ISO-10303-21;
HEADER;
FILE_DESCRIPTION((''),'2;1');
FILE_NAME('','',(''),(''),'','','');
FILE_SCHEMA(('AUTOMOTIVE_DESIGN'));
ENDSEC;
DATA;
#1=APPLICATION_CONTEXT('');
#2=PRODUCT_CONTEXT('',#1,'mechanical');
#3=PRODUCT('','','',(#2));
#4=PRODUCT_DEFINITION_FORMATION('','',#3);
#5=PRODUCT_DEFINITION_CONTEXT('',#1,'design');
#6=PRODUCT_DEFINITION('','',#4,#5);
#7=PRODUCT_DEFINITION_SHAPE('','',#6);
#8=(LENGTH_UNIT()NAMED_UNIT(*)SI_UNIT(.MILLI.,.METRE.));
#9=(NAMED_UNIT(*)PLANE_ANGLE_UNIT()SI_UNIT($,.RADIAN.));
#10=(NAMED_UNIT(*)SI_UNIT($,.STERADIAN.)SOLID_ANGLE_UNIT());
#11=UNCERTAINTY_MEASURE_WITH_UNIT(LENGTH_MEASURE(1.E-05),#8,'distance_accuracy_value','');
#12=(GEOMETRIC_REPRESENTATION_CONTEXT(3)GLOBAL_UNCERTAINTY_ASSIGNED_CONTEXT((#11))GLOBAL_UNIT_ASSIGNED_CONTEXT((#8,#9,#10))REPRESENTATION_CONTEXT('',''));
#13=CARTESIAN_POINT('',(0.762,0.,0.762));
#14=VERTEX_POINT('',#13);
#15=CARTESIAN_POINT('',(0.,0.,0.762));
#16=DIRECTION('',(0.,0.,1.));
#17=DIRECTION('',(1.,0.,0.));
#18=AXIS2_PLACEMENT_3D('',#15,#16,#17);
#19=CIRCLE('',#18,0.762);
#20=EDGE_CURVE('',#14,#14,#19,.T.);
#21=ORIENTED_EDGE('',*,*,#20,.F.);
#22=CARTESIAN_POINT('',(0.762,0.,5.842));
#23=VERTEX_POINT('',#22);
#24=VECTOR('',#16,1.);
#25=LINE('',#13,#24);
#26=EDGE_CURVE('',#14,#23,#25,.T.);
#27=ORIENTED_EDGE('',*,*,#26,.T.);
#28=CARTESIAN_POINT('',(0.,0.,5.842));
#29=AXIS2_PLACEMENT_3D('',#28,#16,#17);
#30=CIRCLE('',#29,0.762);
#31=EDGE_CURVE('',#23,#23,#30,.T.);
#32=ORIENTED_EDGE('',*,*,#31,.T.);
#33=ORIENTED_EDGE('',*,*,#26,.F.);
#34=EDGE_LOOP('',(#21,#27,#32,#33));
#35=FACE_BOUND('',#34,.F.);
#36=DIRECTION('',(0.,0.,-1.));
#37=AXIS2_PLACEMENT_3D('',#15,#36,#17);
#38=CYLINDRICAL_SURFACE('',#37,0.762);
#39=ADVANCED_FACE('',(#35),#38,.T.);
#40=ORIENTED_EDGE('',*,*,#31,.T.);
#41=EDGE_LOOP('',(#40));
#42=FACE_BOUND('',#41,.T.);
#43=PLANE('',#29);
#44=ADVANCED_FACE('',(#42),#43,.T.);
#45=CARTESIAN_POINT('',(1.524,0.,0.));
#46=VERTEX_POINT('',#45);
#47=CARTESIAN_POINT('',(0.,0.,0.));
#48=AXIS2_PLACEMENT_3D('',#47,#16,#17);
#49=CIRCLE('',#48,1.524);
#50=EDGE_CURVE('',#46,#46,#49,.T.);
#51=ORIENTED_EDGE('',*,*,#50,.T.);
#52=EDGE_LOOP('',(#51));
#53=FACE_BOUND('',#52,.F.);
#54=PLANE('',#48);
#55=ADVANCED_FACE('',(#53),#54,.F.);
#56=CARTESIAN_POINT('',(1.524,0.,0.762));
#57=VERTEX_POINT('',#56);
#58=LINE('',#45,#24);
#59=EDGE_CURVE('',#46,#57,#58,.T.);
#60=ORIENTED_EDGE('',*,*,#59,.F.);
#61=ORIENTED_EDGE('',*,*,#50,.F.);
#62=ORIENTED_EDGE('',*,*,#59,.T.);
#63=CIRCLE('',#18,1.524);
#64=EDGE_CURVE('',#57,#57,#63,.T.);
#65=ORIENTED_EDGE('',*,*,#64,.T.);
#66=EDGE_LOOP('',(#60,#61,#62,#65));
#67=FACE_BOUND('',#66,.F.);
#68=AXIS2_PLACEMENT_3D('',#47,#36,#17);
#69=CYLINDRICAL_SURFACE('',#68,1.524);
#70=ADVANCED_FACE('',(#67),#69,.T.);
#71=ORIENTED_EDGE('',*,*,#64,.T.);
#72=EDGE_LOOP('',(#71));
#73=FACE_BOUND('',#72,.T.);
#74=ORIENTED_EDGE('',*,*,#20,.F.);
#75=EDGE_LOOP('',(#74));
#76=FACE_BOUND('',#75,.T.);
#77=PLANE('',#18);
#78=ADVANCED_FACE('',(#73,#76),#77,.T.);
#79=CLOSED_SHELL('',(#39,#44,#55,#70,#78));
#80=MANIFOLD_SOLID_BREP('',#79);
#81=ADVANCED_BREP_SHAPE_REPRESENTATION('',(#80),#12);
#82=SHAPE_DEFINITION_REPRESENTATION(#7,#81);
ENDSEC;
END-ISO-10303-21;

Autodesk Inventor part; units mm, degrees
ref_plane "YZ Plane" through (0, 0, 0) normal (1, 0, 0) x (0, 1, 0)
ref_plane "XZ Plane" through (0, 0, 0) normal (0, 1, 0) x (-1, 0, 0)
ref_plane "XY Plane" through (0, 0, 0) normal (0, 0, 1) x (1, 0, 0)
sketch "Sketch1" plane through (0, 0, 0) normal (0, 0, 1) x (1, 0, 0)
  point P0 (0, 0)
sketch "Sketch2" plane through (0, 0, 0) normal (0, 0, 1) x (1, 0, 0)
  circle A0 centre (0, 0) radius 1.524
  dimension "d0" = 3.048
extrude "Extrusion1" add sketch "Sketch2" along normal blind 0.762
sketch "Sketch3" plane through (0, 0, 0.762) normal (0, 0, 1) x (1, 0, 0)
  circle A0 centre (0, 0) radius 0.762
  dimension "d3" = 1.524
extrude "Extrusion2" add sketch "Sketch3" along normal blind 5.08
properties part number "pin" material "Stainless Steel"
